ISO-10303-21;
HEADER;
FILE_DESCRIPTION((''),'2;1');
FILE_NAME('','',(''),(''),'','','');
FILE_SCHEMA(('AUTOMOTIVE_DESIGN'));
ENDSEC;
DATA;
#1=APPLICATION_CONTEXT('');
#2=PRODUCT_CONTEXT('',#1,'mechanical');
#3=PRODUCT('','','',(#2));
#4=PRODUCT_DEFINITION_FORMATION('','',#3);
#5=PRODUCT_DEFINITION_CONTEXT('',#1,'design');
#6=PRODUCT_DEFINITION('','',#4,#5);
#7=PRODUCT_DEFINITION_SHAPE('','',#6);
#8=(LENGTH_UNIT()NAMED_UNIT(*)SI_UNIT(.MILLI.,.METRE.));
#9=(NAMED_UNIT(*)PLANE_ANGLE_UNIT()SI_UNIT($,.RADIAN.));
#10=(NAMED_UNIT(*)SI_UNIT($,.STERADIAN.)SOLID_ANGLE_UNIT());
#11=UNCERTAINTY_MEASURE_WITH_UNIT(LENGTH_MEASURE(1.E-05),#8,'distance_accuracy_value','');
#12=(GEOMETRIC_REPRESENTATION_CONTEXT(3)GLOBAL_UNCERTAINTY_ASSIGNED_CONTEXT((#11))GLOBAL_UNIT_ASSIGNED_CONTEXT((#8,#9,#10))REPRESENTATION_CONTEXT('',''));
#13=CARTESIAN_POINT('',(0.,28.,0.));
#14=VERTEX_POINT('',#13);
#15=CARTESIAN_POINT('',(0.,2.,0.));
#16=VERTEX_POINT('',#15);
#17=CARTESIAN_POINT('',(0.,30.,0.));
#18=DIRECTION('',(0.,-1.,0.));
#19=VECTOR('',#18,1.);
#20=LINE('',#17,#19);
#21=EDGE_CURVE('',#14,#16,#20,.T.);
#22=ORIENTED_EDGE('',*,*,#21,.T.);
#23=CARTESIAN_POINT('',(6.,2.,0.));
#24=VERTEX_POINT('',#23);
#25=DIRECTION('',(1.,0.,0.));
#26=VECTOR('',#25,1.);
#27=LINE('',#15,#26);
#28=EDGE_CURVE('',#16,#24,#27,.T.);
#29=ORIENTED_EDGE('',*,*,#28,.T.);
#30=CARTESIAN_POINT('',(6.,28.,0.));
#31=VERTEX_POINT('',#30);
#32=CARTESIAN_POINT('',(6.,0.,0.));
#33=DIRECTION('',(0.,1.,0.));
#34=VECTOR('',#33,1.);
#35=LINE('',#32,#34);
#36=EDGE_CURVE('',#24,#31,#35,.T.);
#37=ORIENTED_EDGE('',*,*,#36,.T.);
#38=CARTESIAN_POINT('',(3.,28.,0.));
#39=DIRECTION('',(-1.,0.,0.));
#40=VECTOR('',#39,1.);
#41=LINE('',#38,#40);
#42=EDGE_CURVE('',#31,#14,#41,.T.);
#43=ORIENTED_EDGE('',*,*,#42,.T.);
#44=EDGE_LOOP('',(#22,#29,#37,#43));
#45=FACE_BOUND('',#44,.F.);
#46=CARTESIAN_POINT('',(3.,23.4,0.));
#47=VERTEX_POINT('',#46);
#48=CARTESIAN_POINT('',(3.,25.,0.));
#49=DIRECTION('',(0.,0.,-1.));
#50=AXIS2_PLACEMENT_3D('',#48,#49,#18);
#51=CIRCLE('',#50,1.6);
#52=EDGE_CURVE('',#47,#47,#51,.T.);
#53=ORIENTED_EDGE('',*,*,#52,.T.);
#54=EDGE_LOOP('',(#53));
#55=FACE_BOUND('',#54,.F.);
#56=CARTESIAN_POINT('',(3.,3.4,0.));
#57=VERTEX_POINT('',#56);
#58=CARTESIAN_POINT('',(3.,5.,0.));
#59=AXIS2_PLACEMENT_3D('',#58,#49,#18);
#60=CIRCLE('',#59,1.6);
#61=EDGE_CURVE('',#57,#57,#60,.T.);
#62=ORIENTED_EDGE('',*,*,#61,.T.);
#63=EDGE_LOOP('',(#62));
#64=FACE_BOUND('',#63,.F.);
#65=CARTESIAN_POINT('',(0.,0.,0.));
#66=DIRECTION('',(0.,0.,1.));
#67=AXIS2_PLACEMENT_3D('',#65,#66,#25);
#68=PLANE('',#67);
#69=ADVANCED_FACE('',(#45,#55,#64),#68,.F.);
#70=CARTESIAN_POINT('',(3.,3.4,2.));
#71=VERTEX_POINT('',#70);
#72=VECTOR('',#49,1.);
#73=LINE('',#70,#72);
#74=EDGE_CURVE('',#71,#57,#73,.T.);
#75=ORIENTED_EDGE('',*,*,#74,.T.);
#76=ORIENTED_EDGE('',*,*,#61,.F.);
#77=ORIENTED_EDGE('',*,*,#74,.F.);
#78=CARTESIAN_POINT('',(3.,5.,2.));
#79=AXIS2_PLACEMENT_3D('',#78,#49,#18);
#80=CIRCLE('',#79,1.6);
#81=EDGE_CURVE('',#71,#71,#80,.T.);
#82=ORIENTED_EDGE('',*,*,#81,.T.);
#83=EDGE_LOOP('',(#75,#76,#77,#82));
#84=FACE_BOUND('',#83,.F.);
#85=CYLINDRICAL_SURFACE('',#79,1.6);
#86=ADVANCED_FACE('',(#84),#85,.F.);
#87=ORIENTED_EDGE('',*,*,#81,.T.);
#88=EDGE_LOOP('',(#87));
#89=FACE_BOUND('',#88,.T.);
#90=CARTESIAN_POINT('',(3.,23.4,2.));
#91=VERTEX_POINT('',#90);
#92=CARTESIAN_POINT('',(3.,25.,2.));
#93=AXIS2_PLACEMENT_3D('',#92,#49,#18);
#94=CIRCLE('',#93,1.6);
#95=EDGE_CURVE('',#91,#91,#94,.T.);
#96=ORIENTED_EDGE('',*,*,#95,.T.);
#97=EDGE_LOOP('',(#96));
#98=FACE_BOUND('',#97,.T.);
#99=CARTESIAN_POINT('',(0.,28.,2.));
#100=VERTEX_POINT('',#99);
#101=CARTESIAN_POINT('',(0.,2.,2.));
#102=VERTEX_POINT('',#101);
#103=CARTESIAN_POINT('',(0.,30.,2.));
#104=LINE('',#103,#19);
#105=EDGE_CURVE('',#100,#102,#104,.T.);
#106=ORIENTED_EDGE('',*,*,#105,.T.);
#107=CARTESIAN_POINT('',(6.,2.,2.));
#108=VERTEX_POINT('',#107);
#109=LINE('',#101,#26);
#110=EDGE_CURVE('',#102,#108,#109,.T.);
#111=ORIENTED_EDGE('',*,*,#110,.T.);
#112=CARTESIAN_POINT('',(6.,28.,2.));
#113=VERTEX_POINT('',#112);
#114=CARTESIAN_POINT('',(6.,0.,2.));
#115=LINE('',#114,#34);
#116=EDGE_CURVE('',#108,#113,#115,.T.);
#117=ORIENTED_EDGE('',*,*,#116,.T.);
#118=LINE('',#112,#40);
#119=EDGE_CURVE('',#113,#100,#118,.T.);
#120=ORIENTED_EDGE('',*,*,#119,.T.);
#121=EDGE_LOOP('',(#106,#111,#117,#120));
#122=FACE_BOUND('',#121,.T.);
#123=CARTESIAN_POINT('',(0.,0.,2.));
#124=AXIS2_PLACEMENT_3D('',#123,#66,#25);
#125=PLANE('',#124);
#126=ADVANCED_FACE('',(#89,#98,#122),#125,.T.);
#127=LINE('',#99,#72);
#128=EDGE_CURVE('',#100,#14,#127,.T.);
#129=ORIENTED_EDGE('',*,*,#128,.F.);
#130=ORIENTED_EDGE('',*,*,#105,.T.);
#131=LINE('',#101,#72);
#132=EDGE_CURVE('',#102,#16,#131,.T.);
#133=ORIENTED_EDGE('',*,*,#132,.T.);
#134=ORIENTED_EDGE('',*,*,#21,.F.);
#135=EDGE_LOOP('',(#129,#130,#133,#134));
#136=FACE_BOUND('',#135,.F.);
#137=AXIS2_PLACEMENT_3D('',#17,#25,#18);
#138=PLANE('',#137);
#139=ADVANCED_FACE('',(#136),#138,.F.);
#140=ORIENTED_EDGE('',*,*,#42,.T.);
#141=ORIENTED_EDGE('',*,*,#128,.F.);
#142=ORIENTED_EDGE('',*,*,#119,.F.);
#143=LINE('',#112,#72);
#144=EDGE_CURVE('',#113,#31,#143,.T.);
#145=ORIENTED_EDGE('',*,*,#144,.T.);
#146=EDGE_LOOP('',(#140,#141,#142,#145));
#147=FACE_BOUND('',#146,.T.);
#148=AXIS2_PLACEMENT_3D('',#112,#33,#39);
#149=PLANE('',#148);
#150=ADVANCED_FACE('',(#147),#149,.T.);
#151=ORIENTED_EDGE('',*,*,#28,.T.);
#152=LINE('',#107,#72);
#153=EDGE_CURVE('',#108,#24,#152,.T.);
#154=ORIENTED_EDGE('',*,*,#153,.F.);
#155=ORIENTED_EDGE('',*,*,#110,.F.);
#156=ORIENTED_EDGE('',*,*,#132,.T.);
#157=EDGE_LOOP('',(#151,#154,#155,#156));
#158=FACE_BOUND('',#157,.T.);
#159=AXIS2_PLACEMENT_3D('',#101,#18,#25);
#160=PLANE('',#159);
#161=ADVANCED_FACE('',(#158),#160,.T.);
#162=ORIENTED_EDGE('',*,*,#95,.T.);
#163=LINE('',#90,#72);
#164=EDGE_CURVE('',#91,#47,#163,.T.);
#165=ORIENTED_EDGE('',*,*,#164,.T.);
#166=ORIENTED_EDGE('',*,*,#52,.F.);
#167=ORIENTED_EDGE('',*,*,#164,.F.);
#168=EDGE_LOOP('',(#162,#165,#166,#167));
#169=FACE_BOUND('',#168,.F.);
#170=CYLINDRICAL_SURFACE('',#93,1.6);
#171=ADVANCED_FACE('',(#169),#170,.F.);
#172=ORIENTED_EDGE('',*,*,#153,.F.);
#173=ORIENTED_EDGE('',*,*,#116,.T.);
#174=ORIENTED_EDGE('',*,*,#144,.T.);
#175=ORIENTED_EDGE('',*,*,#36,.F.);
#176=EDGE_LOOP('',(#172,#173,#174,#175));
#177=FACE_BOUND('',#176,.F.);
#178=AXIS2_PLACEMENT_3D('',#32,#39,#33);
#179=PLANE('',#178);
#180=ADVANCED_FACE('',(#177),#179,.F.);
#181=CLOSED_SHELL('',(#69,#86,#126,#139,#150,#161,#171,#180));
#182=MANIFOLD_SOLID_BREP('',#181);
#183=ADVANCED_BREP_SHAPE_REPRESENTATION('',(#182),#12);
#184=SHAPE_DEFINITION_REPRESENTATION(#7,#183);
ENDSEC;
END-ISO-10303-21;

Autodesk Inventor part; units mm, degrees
ref_plane "YZ Plane" through (0, 0, 0) normal (1, 0, 0) x (0, 1, 0)
ref_plane "XZ Plane" through (0, 0, 0) normal (0, 1, 0) x (-1, 0, 0)
ref_plane "XY Plane" through (0, 0, 0) normal (0, 0, 1) x (1, 0, 0)
sketch "スケッチ1" plane through (0, 0, 0) normal (0, 0, 1) x (1, 0, 0)
  line L0 (0, 0) -> (6, 0)
  line L1 (6, 0) -> (6, 30)
  line L2 (6, 30) -> (0, 30)
  line L3 (0, 30) -> (0, 0)
  dimension "d0" = 6
  dimension "d1" = 30
extrude "押し出し1" add sketch "スケッチ1" along normal blind 2
sketch "スケッチ2" plane through (0, 0, 2) normal (0, 0, 1) x (1, 0, 0)
  line L0 (6, 30) -> (0, 30) projected
  line L1 (6, 0) -> (6, 30) projected
  line L2 (0, 0) -> (6, 0) projected
  point P0 (3, 25)
  point P1 (3, 5)
  dimension "d4" = 5
  dimension "d5" = 3
  dimension "d6" = 3
  dimension "d7" = 5
hole "穴1" at (3, 25, 2) at (3, 5, 2) direction (0, 0, -1) diameter 3.2 end through all
sketch "スケッチ4" plane through (0, 0, 2) normal (0, 0, 1) x (1, 0, 0)
  line L0 (6, 30) -> (0, 30) projected
  line L1 (6, 0) -> (6, 30) projected
  line L2 (0, 30) -> (6, 30)
  line L3 (6, 30) -> (6, 28)
  line L4 (6, 28) -> (0, 28)
  line L5 (0, 28) -> (0, 30)
  line L6 (0, 30) -> (0, 0) projected
  line L7 (0, 2) -> (6, 2)
  line L8 (6, 2) -> (6, 0)
  line L9 (6, 0) -> (0, 0)
  line L10 (0, 0) -> (0, 2)
  dimension "d18" = 2
  dimension "d19" = 2
extrude "押し出し2" cut sketch "スケッチ4" against normal blind 10 contours L1 L4 L5 L0 | L1 L9 L6 L7
properties part number "リンク30×6×2"
